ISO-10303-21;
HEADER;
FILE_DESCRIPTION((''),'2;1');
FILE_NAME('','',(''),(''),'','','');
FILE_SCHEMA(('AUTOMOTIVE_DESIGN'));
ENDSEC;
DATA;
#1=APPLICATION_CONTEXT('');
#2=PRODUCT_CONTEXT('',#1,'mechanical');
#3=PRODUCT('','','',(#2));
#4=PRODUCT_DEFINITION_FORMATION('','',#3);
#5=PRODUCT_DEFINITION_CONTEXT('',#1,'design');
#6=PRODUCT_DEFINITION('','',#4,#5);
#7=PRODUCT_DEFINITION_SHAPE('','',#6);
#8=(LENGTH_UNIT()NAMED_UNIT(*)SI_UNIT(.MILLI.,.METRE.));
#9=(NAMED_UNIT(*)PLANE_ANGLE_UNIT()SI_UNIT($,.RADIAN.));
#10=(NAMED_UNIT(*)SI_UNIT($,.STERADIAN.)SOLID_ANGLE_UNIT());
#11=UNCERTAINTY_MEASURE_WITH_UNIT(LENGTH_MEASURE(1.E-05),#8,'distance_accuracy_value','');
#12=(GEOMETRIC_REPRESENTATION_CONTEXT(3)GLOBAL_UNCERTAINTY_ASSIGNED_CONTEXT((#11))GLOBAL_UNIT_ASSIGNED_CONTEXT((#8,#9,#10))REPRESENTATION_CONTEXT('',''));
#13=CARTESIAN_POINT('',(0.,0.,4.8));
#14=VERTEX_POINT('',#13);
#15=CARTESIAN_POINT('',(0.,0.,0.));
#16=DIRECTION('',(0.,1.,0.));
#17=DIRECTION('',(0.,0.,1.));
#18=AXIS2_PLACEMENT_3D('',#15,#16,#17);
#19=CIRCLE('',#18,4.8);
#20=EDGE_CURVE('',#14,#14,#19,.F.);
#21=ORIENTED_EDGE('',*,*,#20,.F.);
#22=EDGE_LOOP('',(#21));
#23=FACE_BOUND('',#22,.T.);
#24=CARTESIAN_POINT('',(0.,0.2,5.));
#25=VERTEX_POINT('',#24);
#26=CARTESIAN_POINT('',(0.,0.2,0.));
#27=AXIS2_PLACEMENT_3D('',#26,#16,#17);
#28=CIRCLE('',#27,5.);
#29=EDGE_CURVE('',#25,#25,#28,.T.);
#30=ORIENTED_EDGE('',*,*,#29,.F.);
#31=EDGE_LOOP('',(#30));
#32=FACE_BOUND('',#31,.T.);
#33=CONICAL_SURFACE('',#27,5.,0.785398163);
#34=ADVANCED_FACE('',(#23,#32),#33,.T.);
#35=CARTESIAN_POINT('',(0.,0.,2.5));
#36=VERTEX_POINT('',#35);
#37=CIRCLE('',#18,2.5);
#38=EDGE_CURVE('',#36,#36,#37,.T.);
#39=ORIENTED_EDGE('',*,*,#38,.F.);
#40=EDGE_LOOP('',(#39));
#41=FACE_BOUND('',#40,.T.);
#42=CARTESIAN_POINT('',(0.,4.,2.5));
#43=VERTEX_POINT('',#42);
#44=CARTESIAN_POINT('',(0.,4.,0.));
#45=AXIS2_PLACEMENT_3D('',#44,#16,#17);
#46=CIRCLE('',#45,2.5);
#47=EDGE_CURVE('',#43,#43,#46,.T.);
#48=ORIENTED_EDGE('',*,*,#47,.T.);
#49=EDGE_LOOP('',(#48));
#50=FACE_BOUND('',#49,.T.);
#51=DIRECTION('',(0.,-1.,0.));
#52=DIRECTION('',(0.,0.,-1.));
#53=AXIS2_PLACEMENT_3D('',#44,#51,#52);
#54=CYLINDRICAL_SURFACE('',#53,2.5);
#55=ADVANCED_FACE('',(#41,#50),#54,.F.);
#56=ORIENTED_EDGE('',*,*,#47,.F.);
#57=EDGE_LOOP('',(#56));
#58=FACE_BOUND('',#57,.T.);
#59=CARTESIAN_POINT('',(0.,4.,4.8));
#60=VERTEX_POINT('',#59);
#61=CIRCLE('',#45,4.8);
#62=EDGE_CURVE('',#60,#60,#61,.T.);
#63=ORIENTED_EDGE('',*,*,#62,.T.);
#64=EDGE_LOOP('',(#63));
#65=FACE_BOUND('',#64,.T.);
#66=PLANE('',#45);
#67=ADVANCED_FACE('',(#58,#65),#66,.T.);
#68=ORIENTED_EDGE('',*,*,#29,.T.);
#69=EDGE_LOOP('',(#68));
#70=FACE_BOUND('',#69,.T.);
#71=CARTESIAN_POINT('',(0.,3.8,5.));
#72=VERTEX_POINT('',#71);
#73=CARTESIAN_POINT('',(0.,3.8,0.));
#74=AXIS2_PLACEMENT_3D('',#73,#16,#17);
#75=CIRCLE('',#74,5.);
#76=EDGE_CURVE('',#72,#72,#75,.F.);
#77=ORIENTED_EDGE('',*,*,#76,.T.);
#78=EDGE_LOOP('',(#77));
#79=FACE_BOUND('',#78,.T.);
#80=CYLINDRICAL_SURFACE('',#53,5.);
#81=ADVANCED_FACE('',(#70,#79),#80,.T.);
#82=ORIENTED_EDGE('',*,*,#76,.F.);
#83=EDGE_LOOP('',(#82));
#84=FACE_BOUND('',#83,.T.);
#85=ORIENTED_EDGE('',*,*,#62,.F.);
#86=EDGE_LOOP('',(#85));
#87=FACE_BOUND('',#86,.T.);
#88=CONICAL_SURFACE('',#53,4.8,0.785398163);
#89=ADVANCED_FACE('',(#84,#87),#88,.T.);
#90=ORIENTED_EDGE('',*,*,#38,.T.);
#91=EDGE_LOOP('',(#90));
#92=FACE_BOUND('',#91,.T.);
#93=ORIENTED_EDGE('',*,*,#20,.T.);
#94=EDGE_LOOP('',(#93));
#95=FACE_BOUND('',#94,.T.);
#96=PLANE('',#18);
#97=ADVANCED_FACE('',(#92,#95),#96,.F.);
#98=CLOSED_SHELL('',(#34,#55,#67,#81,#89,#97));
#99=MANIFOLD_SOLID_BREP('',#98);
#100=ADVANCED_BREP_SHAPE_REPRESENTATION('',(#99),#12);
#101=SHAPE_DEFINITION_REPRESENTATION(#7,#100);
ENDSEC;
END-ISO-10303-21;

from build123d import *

# Parameters (mm, degrees)
SKETCH_1_R      = 5
SKETCH_1_R_2    = 2.5
EXTRUDE_1_DEPTH = 4
CHAMFER_1_SIZE  = 0.2


with BuildPart() as part:
    # 草图1 → 凸台-拉伸1 (new body)
    with BuildSketch(Plane(origin=(0, 0, 0), x_dir=(1, 0, 0), z_dir=(0, 1, 0))):
        with Locations(Location((0, 0, 0), (0, 0, 270))):
            Circle(SKETCH_1_R)
        with Locations(Location((0, 0, 0), (0, 0, 270))):
            Circle(SKETCH_1_R_2, mode=Mode.SUBTRACT)
    extrude(amount=EXTRUDE_1_DEPTH)

    # 倒角1
    chamfer_1_edges = [part.edges().sort_by_distance(p)[0] for p in [
        (0, 0, -5),
        (0, 4, -5),
    ]]
    chamfer(chamfer_1_edges, length=CHAMFER_1_SIZE)


solid = part.part
